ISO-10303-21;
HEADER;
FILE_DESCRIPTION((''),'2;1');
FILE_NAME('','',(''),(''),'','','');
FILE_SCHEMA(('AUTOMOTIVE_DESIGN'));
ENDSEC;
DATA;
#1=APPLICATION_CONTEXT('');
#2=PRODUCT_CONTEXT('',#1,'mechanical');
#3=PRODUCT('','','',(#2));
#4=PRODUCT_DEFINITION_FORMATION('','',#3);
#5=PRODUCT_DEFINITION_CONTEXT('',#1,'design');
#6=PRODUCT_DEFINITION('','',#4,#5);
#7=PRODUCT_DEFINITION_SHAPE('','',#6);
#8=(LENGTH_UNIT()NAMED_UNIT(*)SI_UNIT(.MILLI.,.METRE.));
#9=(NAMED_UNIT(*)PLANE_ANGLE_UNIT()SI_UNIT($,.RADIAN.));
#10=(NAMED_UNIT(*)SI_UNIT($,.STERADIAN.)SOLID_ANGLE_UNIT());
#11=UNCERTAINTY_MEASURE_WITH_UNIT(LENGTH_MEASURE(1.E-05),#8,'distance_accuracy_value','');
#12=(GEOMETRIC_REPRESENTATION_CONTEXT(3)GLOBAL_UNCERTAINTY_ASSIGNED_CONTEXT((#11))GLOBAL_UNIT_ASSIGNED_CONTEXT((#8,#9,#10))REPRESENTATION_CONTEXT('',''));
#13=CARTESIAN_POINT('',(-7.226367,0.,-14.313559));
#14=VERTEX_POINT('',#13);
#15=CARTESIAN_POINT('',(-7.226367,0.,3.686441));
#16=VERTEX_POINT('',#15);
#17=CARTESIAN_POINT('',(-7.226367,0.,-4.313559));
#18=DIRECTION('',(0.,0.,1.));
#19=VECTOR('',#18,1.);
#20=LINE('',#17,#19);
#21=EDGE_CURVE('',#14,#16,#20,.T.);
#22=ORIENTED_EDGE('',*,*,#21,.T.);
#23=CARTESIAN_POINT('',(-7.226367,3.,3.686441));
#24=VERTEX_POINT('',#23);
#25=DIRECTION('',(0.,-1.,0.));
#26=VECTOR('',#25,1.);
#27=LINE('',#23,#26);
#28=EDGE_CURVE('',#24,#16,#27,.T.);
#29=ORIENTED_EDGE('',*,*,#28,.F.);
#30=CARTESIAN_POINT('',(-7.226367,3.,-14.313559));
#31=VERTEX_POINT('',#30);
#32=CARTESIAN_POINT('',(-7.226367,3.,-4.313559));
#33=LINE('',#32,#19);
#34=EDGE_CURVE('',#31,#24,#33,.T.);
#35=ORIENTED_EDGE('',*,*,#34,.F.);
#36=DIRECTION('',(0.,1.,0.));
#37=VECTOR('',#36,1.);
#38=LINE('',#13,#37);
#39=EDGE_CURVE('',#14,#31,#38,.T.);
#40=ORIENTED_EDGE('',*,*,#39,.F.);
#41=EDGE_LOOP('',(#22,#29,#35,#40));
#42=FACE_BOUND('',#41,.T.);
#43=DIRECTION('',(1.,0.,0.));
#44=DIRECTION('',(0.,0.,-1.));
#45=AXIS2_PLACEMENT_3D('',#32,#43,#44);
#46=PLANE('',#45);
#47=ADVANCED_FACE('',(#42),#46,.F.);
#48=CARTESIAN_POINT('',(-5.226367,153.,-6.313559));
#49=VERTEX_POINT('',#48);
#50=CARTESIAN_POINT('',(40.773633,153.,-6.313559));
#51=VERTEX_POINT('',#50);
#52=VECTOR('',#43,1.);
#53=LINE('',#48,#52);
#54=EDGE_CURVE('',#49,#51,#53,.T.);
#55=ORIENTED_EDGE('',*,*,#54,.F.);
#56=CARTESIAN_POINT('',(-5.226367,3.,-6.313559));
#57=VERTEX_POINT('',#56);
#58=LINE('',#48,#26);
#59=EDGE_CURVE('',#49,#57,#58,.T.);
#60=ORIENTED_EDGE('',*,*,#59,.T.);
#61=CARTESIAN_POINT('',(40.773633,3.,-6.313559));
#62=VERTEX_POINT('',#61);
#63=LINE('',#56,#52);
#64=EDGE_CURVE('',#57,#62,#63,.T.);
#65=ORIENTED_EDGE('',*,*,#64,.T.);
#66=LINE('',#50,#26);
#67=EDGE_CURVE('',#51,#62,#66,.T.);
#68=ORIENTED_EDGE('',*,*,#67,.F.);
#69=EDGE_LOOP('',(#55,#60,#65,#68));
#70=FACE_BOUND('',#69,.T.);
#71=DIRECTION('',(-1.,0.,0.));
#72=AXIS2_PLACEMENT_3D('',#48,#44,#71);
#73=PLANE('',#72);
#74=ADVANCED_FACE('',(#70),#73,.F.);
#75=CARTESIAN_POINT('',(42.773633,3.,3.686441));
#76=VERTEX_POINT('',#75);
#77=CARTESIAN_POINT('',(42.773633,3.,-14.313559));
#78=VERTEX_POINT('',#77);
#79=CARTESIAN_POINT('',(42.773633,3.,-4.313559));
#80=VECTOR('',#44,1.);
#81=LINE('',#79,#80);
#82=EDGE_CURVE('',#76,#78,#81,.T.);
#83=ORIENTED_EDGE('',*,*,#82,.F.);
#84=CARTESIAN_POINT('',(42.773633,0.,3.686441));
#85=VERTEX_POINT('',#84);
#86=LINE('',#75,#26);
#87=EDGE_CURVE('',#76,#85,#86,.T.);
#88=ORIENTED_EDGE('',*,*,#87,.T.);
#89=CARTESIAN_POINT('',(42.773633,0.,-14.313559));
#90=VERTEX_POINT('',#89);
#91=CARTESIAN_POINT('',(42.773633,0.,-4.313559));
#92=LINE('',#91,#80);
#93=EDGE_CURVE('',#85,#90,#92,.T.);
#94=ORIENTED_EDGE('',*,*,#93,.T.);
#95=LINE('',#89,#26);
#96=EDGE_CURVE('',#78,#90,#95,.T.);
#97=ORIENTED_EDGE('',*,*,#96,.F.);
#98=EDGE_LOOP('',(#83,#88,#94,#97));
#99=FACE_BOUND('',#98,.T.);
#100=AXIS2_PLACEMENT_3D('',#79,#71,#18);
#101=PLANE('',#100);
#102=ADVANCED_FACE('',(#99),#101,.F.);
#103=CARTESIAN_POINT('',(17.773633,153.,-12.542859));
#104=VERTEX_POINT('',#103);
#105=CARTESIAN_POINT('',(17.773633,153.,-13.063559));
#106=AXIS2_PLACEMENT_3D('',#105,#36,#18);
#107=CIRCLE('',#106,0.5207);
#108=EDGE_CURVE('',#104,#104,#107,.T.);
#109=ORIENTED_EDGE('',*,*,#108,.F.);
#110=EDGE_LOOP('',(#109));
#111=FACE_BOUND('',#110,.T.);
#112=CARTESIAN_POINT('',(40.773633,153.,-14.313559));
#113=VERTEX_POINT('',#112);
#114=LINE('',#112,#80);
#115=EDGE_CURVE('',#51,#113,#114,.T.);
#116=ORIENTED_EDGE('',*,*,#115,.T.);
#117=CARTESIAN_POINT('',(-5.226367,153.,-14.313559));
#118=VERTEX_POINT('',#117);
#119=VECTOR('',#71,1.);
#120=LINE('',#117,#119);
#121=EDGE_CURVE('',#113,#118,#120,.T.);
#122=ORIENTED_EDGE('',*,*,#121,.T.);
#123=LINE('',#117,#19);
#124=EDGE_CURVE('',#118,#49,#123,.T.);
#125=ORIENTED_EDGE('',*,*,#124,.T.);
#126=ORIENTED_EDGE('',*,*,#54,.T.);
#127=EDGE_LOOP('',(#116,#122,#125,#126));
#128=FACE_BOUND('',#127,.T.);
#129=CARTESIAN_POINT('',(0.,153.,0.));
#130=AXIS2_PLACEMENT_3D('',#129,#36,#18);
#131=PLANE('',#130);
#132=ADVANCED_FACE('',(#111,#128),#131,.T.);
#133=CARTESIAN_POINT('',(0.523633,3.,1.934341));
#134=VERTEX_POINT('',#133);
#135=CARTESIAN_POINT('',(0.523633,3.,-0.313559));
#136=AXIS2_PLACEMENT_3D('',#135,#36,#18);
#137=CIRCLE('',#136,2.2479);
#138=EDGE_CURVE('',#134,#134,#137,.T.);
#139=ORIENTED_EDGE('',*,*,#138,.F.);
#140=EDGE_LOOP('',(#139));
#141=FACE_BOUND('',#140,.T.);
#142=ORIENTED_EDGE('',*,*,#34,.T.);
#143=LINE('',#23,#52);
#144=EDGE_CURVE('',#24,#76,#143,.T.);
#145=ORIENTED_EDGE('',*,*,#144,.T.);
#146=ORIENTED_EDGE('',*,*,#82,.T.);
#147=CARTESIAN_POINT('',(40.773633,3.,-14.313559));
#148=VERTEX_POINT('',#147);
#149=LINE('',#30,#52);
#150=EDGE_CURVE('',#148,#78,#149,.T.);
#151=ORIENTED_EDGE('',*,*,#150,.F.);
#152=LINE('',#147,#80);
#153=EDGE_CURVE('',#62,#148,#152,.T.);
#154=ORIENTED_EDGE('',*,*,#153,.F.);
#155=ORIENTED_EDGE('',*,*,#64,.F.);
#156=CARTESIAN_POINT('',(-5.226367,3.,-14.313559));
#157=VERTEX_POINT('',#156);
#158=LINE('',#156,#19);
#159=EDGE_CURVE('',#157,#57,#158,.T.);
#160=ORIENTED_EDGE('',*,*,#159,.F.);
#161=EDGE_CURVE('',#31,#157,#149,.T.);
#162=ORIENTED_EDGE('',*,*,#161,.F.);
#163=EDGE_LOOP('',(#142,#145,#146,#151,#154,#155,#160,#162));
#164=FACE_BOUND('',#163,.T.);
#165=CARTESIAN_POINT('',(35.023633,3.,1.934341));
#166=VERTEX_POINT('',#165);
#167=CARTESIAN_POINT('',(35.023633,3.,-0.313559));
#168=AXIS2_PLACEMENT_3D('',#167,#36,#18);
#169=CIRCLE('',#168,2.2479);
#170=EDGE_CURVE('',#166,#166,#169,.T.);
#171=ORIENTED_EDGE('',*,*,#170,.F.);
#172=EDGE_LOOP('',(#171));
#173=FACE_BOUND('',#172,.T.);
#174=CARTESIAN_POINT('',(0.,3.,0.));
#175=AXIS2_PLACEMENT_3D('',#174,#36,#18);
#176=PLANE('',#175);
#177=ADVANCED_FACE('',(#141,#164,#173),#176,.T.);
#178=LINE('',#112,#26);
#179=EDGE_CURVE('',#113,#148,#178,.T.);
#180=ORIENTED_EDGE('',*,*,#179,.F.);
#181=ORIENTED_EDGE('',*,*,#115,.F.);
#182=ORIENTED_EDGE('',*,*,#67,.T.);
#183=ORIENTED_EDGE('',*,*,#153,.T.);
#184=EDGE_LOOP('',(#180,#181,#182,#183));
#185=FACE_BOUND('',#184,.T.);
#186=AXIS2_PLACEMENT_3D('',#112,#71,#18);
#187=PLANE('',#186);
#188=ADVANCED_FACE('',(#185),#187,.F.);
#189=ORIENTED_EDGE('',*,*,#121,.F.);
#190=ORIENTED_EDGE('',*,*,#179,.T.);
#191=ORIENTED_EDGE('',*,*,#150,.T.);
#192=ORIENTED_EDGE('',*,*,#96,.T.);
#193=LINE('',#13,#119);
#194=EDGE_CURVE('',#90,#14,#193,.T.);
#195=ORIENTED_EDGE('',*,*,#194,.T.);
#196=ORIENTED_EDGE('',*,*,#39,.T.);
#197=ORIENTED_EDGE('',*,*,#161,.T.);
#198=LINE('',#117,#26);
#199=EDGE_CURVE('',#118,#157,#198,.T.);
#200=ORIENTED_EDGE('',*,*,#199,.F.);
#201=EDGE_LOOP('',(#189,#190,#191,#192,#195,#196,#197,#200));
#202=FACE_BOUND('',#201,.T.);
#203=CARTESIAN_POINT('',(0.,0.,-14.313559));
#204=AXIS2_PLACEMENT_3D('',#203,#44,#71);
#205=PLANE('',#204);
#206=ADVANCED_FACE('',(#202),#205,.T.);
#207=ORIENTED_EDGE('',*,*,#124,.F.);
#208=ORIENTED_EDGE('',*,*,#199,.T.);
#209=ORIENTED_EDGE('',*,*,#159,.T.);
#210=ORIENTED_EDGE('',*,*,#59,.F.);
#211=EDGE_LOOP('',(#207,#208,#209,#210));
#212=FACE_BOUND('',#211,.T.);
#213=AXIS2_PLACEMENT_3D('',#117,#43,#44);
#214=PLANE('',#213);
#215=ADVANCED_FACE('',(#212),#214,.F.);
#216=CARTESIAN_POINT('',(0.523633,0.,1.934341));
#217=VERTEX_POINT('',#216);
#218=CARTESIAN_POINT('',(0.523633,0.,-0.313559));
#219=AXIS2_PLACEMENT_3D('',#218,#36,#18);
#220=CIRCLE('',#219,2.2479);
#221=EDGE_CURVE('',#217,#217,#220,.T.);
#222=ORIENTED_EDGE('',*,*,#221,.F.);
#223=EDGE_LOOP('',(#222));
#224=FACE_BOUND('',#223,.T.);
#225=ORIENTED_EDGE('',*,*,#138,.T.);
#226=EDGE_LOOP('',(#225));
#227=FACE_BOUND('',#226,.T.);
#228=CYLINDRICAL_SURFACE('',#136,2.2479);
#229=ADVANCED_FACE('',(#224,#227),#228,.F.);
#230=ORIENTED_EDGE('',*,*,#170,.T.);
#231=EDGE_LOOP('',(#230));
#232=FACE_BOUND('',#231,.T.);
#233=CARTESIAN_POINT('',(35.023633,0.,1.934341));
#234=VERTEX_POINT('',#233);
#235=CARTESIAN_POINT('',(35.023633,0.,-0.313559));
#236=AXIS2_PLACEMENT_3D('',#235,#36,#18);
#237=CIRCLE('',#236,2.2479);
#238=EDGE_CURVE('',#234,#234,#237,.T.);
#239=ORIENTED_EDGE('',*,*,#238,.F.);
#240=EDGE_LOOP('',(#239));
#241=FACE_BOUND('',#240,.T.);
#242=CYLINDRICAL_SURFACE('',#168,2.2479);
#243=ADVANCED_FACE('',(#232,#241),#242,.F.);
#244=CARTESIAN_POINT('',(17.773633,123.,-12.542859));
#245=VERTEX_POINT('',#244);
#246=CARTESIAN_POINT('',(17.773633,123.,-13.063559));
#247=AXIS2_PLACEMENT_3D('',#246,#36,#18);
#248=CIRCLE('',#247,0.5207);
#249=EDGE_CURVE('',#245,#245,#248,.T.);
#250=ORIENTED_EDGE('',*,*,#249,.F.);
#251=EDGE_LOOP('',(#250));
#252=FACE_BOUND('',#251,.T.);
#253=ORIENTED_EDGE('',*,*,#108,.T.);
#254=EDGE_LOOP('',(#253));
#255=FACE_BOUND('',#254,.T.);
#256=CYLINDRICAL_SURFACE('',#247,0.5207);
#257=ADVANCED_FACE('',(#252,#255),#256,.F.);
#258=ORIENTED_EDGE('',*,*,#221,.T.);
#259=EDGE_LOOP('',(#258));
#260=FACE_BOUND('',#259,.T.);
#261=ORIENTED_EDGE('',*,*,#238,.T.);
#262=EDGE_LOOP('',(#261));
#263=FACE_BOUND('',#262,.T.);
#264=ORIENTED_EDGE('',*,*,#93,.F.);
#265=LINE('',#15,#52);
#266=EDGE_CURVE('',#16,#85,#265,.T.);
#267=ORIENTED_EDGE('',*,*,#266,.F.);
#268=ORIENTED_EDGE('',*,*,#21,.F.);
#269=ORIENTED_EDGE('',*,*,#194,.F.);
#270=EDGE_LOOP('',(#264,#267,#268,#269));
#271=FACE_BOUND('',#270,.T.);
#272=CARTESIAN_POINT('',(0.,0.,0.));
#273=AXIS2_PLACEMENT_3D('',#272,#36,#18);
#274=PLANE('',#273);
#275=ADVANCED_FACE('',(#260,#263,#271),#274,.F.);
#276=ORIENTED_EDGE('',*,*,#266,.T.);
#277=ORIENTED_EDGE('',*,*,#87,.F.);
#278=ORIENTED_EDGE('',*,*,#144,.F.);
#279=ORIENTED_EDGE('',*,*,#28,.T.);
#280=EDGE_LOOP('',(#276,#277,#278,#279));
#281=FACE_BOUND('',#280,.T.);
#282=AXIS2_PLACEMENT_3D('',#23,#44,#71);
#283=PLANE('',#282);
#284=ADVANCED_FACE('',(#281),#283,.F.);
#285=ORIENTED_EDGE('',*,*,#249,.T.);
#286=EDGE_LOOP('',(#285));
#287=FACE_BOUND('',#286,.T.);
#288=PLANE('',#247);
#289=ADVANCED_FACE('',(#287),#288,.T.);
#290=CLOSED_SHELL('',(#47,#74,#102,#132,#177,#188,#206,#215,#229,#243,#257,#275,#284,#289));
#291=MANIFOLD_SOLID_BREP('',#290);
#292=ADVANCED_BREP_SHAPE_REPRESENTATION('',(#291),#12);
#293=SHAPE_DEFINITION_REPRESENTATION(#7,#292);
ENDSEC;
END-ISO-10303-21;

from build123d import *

# Parameters (mm, degrees)
SKETCH1_W                 = 50
SKETCH1_H                 = 8
BOSS_EXTRUDE1_DEPTH       = 3
F_8_CLEARANCE_HOLE1_D     = 4.4958
F_8_CLEARANCE_HOLE1_DEPTH = 17
F_8_CLEARANCE_HOLE1_TIP   = 1.350674586
SKETCH3_W                 = 50
SKETCH3_H                 = 3
BOSS_EXTRUDE2_DEPTH       = 10
SKETCH5_W                 = 46
SKETCH5_H                 = 8
BOSS_EXTRUDE3_DEPTH       = 150
SKETCH6_R                 = 0.5207
CUT_EXTRUDE1_DEPTH        = 30


with BuildPart() as part:
    # Sketch1 → Boss-Extrude1 (new body)
    with BuildSketch(Plane(origin=(0, 0, 0), x_dir=(1, 0, 0), z_dir=(0, 1, 0))):
        with Locations((17.773632998, 0.313559322)):
            Rectangle(SKETCH1_W, SKETCH1_H)
    extrude(amount=BOSS_EXTRUDE1_DEPTH)

    # #8 Clearance Hole1
    with Locations(Plane(origin=(0.523632998, 3, -0.313559322), x_dir=(0, 0, 1), z_dir=(0, 1, 0))):
        with Locations((0, 0), (0, 34.5)):
            Hole(F_8_CLEARANCE_HOLE1_D / 2, depth=F_8_CLEARANCE_HOLE1_DEPTH)
            with Locations((0, 0, -(F_8_CLEARANCE_HOLE1_DEPTH + F_8_CLEARANCE_HOLE1_TIP / 2))):  # 118° drill point
                Cone(0, F_8_CLEARANCE_HOLE1_D / 2, F_8_CLEARANCE_HOLE1_TIP, mode=Mode.SUBTRACT)

    # Sketch3 → Boss-Extrude2 (add)
    with BuildSketch(Plane(origin=(0, 0, -4.313559322), x_dir=(-1, 0, 0), z_dir=(0, 0, -1))):
        with Locations((-17.773632998, 1.5)):
            Rectangle(SKETCH3_W, SKETCH3_H)
    extrude(amount=BOSS_EXTRUDE2_DEPTH)

    # Sketch5 → Boss-Extrude3 (add)
    with BuildSketch(Plane(origin=(0, 3, 0), x_dir=(1, 0, 0), z_dir=(0, 1, 0))):
        with Locations((17.773632998, 10.313559322)):
            Rectangle(SKETCH5_W, SKETCH5_H)
    extrude(amount=BOSS_EXTRUDE3_DEPTH)

    # Sketch6 → Cut-Extrude1 (cut)
    with BuildSketch(Plane(origin=(0, 153, 0), x_dir=(1, 0, 0), z_dir=(0, 1, 0))):
        with Locations((17.773632998, 13.063559322)):
            Circle(SKETCH6_R)
    extrude(amount=-CUT_EXTRUDE1_DEPTH, mode=Mode.SUBTRACT)


solid = part.part
